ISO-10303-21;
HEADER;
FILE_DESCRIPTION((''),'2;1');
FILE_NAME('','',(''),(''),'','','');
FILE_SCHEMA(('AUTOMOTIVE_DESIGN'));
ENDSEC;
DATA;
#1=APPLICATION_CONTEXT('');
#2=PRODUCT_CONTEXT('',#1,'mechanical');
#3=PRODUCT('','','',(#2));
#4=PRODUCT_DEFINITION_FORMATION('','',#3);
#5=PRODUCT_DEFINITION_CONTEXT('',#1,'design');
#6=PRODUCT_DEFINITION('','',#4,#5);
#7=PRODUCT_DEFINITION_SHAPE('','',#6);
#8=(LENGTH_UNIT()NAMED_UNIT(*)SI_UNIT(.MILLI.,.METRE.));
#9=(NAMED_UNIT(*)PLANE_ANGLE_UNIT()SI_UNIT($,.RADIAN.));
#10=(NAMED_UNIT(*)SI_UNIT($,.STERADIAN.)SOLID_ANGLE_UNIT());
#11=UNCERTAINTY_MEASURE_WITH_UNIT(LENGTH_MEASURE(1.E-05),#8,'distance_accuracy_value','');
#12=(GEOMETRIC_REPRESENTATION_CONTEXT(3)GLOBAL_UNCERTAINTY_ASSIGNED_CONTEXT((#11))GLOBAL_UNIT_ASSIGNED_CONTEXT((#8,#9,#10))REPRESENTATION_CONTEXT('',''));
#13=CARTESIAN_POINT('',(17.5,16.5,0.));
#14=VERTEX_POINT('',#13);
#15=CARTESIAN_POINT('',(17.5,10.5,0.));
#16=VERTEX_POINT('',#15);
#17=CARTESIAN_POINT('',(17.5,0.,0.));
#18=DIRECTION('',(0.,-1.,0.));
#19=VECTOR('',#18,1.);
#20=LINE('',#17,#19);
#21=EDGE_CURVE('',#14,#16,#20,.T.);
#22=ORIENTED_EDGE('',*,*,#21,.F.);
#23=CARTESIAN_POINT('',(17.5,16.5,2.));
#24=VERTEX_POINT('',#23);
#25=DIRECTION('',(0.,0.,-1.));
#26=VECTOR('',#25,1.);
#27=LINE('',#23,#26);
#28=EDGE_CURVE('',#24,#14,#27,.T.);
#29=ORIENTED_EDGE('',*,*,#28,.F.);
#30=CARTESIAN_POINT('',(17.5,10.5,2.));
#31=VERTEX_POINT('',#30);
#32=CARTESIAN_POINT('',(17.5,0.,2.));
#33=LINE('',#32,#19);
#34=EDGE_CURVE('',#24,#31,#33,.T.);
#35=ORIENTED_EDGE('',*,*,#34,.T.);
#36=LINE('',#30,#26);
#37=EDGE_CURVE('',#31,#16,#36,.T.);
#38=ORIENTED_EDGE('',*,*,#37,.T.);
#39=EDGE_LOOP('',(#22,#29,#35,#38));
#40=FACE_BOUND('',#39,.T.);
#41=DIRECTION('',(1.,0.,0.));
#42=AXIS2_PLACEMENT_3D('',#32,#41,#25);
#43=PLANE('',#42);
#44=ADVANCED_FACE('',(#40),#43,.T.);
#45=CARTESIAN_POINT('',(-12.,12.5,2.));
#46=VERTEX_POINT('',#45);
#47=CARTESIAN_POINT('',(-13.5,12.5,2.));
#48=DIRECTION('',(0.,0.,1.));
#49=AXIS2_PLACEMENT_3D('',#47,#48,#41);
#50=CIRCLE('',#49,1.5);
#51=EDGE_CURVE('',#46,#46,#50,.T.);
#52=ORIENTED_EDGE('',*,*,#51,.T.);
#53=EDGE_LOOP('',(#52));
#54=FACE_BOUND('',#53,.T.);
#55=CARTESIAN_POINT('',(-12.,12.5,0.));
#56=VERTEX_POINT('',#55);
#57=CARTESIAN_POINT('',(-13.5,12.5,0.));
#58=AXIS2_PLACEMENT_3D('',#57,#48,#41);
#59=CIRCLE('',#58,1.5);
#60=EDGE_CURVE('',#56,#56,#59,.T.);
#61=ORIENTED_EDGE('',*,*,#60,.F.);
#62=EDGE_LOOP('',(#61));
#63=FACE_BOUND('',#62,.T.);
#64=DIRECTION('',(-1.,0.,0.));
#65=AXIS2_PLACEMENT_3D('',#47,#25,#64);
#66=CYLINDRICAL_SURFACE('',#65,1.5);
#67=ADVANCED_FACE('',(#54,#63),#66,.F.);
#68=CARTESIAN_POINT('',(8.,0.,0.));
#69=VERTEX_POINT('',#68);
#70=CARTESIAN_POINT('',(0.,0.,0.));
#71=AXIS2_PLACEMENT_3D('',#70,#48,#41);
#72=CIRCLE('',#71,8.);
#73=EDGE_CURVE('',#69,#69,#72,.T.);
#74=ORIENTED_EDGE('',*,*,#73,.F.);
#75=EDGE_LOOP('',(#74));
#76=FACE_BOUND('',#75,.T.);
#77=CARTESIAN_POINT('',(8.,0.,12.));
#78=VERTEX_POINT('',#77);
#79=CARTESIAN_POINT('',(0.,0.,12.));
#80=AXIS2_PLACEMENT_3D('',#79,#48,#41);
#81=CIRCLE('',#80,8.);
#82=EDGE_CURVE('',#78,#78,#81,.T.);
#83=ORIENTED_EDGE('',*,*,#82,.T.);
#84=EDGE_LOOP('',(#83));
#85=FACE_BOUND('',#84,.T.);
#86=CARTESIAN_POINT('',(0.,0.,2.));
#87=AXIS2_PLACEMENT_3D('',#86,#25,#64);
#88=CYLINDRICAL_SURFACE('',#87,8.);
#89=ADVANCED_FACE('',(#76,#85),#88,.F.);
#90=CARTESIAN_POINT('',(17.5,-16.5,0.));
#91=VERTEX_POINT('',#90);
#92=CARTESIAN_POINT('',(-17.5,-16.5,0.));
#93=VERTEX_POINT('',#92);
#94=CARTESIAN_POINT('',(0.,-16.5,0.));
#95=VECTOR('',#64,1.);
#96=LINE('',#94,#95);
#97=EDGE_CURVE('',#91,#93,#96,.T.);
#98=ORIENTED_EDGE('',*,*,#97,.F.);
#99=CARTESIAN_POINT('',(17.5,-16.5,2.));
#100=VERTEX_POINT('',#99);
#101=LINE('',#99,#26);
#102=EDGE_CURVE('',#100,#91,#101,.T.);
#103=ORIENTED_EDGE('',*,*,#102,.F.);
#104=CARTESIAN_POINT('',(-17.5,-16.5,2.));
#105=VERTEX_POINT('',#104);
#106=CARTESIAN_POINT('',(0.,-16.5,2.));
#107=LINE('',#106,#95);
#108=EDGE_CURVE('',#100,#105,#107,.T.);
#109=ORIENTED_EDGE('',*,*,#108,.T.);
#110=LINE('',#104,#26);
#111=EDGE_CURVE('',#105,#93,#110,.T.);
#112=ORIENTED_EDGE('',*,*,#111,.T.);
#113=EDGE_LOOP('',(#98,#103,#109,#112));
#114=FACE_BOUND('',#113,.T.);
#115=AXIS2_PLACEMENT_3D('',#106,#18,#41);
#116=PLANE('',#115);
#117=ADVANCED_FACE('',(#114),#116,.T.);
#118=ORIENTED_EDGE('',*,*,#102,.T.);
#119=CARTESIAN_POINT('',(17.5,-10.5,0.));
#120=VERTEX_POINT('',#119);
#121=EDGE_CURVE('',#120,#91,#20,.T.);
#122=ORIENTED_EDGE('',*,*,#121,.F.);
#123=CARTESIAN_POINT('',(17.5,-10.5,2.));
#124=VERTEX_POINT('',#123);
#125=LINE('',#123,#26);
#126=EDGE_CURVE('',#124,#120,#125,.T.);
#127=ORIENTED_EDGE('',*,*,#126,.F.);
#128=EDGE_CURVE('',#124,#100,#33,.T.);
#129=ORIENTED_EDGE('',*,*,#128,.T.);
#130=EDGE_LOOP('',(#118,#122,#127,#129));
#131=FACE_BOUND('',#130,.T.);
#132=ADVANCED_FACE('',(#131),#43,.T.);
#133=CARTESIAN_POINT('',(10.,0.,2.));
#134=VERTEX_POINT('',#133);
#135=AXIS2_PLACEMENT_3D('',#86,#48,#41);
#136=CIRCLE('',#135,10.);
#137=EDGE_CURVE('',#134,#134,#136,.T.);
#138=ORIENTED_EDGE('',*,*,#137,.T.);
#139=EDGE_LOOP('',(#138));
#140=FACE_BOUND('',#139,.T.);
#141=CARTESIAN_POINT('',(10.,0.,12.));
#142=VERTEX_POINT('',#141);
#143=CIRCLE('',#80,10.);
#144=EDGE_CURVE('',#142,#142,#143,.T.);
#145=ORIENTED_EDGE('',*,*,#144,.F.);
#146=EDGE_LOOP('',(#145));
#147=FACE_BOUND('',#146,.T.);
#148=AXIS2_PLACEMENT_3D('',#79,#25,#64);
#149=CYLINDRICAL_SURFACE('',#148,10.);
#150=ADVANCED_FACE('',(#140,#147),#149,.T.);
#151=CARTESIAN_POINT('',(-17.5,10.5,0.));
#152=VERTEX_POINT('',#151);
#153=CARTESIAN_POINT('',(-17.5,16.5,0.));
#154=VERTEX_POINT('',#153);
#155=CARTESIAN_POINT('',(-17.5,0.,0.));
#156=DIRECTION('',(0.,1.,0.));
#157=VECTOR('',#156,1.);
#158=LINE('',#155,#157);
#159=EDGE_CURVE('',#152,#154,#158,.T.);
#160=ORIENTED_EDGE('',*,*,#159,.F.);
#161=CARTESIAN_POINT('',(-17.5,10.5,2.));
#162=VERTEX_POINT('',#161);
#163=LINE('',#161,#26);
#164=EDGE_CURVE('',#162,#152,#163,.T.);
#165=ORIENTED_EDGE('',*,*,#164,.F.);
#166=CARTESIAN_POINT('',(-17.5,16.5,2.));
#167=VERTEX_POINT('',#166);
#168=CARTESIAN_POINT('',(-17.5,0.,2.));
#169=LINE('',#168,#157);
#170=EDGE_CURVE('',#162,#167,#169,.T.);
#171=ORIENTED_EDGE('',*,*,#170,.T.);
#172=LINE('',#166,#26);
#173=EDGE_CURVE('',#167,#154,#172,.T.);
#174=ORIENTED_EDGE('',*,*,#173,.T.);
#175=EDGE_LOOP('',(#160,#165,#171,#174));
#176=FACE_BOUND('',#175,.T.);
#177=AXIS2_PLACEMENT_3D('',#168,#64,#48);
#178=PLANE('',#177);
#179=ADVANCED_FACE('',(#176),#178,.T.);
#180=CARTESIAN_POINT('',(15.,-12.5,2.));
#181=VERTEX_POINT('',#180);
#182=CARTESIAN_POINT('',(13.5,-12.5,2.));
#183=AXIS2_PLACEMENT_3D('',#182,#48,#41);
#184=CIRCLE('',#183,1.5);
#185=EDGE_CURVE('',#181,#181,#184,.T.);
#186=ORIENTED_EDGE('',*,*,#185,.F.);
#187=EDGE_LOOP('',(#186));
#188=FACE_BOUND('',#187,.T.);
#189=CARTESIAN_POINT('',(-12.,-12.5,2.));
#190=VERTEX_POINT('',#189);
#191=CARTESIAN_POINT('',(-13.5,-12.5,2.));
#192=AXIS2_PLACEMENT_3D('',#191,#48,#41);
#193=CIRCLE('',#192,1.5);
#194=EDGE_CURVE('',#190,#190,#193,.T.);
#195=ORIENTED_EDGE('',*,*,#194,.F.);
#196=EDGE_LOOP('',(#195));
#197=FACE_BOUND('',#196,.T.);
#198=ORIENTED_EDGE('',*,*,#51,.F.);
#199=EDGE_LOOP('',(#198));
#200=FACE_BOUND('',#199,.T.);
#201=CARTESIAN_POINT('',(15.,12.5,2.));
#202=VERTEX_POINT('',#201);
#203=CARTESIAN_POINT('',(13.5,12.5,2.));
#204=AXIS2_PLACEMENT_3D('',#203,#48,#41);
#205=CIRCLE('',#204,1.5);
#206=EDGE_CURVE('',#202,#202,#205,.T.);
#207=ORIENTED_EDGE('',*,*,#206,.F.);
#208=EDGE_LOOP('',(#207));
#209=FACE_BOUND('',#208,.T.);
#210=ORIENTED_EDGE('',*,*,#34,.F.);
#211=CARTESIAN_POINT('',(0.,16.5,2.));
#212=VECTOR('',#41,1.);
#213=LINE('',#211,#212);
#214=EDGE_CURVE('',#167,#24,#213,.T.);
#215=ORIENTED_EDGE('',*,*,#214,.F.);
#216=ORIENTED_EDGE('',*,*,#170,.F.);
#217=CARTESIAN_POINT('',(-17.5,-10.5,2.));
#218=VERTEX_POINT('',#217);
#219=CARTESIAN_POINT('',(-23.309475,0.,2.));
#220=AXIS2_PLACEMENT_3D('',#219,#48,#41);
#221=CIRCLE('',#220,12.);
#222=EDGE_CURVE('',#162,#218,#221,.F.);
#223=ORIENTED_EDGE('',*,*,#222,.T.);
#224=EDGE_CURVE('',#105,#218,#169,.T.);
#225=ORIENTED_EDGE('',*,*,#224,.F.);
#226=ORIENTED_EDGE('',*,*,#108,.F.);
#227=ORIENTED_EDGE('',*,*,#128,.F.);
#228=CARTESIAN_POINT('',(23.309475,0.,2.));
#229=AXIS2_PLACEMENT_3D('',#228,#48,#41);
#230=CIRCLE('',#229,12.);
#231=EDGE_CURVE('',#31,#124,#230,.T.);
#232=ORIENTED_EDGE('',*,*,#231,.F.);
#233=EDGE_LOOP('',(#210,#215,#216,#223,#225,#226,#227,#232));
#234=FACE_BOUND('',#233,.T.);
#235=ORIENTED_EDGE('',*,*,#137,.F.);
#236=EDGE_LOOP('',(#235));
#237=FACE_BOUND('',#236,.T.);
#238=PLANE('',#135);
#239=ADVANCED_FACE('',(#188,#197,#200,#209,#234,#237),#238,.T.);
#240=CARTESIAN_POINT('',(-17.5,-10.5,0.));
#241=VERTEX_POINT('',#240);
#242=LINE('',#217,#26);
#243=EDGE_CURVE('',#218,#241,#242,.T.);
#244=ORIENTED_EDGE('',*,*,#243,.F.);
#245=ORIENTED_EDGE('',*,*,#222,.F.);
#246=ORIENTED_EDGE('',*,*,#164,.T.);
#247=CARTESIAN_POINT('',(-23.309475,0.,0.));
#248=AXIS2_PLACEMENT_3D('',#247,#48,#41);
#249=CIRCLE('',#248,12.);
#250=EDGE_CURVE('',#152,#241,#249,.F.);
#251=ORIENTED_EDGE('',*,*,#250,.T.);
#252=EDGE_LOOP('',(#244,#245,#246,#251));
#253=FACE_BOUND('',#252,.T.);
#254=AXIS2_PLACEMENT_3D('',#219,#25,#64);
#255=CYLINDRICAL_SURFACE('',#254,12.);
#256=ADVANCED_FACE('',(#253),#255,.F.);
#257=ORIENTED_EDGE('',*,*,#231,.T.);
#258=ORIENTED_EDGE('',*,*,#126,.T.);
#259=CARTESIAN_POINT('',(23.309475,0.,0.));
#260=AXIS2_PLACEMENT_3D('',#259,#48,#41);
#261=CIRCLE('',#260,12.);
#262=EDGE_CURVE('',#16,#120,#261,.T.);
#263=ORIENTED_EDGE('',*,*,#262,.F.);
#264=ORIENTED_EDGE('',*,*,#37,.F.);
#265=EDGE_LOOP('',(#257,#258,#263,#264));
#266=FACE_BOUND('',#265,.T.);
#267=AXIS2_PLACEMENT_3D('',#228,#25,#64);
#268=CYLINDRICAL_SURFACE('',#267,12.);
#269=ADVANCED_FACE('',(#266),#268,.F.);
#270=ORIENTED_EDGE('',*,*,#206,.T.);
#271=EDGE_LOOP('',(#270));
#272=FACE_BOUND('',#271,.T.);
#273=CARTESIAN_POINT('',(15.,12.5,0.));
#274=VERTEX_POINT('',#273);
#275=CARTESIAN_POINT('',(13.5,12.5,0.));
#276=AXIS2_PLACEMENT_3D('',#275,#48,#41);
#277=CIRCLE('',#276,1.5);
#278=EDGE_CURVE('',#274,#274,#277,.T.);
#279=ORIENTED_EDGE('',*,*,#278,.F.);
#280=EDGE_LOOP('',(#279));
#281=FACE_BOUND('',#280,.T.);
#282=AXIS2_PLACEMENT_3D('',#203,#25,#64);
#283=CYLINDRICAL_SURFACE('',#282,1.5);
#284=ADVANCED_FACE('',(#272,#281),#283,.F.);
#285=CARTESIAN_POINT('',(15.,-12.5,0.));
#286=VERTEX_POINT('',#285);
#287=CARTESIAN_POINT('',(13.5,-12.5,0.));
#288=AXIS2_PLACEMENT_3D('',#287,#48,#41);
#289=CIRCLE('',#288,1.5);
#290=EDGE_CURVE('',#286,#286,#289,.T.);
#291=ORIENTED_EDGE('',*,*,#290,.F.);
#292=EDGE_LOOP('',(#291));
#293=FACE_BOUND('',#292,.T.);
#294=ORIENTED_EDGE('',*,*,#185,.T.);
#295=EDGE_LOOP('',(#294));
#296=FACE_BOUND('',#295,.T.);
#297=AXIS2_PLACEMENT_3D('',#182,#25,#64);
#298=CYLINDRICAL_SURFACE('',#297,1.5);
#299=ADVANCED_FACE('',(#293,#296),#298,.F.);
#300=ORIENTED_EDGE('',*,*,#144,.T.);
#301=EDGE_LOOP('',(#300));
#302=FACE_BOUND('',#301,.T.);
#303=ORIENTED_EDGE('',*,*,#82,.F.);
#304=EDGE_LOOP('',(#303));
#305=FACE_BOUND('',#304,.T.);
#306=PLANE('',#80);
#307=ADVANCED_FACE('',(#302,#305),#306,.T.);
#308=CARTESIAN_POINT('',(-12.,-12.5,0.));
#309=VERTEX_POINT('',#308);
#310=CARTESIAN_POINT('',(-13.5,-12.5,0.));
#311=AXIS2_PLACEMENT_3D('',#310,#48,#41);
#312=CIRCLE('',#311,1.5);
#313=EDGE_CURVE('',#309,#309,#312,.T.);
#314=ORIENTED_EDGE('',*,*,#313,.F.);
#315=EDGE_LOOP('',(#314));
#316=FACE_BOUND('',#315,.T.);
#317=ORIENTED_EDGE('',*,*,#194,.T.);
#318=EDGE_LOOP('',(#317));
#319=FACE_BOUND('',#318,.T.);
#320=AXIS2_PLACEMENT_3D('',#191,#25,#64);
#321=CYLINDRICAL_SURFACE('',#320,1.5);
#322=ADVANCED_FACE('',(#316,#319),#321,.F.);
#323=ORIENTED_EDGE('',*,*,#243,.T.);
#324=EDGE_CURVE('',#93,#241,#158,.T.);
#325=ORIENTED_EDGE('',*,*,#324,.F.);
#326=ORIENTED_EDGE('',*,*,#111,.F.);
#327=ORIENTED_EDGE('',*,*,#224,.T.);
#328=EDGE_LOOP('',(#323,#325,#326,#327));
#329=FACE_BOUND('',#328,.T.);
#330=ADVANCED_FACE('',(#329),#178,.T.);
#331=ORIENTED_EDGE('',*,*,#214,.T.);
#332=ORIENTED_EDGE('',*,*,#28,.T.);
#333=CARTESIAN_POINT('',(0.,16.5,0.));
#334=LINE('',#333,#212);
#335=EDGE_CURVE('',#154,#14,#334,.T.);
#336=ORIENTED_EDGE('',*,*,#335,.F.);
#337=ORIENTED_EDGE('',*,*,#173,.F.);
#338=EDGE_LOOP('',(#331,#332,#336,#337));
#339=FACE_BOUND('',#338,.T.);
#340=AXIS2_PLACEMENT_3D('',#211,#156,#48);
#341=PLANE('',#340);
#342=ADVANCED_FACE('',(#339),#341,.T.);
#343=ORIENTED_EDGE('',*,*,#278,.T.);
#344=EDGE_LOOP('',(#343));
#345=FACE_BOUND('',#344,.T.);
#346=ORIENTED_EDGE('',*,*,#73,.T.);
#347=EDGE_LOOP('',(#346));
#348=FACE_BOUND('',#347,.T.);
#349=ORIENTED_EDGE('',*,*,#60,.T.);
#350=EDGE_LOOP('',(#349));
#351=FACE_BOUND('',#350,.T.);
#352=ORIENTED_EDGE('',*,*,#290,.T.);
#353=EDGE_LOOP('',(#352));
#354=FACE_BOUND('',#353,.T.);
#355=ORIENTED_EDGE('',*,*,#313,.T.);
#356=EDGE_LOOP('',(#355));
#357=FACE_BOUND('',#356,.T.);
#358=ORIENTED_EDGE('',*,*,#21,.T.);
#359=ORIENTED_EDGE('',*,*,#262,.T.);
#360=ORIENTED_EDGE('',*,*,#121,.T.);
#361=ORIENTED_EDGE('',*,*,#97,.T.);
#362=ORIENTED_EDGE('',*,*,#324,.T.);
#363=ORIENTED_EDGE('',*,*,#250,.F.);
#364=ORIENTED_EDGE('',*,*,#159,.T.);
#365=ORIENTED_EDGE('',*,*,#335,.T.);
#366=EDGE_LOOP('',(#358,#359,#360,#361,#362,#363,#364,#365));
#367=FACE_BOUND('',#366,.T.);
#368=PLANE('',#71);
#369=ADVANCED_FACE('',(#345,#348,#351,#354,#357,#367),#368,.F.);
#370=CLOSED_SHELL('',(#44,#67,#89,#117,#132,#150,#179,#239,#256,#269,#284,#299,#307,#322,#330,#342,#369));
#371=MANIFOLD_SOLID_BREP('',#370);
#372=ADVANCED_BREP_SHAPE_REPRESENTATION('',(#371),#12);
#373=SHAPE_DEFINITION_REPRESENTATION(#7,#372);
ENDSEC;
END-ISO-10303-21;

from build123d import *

# Parameters (mm, degrees)
SKETCH_1_R      = 1.5
SKETCH_1_R_2    = 8
EXTRUDE_1_DEPTH = 2
SKETCH_3_R      = 10
SKETCH_3_R_2    = 8
EXTRUDE_2_DEPTH = 10


with BuildPart() as part:
    # 草图1 → 凸台-拉伸1 (new body)
    with BuildSketch(Plane.XY):
        with BuildLine():
            Line((17.5, 16.5), (-17.5, 16.5))
            Line((-17.5, 16.5), (-17.5, 10.5))
            ThreePointArc((-17.5, 10.5), (-11.309475019, 0), (-17.5, -10.5))
            Line((-17.5, -10.5), (-17.5, -16.5))
            Line((-17.5, -16.5), (17.5, -16.5))
            Line((17.5, -16.5), (17.5, -10.5))
            ThreePointArc((17.5, -10.5), (11.309475019, 0), (17.5, 10.5))
            Line((17.5, 10.5), (17.5, 16.5))
        make_face()
        with Locations((-13.5, -12.5)):
            Circle(SKETCH_1_R, mode=Mode.SUBTRACT)
        with Locations((13.5, -12.5)):
            Circle(SKETCH_1_R, mode=Mode.SUBTRACT)
        Circle(SKETCH_1_R_2, mode=Mode.SUBTRACT)
        with Locations((-13.5, 12.5)):
            Circle(SKETCH_1_R, mode=Mode.SUBTRACT)
        with Locations((13.5, 12.5)):
            Circle(SKETCH_1_R, mode=Mode.SUBTRACT)
    extrude(amount=EXTRUDE_1_DEPTH)

    # 草图3 → 凸台-拉伸2 (add)
    with BuildSketch(Plane.XY.offset(2)):
        Circle(SKETCH_3_R)
        Circle(SKETCH_3_R_2, mode=Mode.SUBTRACT)
    extrude(amount=EXTRUDE_2_DEPTH)


solid = part.part
